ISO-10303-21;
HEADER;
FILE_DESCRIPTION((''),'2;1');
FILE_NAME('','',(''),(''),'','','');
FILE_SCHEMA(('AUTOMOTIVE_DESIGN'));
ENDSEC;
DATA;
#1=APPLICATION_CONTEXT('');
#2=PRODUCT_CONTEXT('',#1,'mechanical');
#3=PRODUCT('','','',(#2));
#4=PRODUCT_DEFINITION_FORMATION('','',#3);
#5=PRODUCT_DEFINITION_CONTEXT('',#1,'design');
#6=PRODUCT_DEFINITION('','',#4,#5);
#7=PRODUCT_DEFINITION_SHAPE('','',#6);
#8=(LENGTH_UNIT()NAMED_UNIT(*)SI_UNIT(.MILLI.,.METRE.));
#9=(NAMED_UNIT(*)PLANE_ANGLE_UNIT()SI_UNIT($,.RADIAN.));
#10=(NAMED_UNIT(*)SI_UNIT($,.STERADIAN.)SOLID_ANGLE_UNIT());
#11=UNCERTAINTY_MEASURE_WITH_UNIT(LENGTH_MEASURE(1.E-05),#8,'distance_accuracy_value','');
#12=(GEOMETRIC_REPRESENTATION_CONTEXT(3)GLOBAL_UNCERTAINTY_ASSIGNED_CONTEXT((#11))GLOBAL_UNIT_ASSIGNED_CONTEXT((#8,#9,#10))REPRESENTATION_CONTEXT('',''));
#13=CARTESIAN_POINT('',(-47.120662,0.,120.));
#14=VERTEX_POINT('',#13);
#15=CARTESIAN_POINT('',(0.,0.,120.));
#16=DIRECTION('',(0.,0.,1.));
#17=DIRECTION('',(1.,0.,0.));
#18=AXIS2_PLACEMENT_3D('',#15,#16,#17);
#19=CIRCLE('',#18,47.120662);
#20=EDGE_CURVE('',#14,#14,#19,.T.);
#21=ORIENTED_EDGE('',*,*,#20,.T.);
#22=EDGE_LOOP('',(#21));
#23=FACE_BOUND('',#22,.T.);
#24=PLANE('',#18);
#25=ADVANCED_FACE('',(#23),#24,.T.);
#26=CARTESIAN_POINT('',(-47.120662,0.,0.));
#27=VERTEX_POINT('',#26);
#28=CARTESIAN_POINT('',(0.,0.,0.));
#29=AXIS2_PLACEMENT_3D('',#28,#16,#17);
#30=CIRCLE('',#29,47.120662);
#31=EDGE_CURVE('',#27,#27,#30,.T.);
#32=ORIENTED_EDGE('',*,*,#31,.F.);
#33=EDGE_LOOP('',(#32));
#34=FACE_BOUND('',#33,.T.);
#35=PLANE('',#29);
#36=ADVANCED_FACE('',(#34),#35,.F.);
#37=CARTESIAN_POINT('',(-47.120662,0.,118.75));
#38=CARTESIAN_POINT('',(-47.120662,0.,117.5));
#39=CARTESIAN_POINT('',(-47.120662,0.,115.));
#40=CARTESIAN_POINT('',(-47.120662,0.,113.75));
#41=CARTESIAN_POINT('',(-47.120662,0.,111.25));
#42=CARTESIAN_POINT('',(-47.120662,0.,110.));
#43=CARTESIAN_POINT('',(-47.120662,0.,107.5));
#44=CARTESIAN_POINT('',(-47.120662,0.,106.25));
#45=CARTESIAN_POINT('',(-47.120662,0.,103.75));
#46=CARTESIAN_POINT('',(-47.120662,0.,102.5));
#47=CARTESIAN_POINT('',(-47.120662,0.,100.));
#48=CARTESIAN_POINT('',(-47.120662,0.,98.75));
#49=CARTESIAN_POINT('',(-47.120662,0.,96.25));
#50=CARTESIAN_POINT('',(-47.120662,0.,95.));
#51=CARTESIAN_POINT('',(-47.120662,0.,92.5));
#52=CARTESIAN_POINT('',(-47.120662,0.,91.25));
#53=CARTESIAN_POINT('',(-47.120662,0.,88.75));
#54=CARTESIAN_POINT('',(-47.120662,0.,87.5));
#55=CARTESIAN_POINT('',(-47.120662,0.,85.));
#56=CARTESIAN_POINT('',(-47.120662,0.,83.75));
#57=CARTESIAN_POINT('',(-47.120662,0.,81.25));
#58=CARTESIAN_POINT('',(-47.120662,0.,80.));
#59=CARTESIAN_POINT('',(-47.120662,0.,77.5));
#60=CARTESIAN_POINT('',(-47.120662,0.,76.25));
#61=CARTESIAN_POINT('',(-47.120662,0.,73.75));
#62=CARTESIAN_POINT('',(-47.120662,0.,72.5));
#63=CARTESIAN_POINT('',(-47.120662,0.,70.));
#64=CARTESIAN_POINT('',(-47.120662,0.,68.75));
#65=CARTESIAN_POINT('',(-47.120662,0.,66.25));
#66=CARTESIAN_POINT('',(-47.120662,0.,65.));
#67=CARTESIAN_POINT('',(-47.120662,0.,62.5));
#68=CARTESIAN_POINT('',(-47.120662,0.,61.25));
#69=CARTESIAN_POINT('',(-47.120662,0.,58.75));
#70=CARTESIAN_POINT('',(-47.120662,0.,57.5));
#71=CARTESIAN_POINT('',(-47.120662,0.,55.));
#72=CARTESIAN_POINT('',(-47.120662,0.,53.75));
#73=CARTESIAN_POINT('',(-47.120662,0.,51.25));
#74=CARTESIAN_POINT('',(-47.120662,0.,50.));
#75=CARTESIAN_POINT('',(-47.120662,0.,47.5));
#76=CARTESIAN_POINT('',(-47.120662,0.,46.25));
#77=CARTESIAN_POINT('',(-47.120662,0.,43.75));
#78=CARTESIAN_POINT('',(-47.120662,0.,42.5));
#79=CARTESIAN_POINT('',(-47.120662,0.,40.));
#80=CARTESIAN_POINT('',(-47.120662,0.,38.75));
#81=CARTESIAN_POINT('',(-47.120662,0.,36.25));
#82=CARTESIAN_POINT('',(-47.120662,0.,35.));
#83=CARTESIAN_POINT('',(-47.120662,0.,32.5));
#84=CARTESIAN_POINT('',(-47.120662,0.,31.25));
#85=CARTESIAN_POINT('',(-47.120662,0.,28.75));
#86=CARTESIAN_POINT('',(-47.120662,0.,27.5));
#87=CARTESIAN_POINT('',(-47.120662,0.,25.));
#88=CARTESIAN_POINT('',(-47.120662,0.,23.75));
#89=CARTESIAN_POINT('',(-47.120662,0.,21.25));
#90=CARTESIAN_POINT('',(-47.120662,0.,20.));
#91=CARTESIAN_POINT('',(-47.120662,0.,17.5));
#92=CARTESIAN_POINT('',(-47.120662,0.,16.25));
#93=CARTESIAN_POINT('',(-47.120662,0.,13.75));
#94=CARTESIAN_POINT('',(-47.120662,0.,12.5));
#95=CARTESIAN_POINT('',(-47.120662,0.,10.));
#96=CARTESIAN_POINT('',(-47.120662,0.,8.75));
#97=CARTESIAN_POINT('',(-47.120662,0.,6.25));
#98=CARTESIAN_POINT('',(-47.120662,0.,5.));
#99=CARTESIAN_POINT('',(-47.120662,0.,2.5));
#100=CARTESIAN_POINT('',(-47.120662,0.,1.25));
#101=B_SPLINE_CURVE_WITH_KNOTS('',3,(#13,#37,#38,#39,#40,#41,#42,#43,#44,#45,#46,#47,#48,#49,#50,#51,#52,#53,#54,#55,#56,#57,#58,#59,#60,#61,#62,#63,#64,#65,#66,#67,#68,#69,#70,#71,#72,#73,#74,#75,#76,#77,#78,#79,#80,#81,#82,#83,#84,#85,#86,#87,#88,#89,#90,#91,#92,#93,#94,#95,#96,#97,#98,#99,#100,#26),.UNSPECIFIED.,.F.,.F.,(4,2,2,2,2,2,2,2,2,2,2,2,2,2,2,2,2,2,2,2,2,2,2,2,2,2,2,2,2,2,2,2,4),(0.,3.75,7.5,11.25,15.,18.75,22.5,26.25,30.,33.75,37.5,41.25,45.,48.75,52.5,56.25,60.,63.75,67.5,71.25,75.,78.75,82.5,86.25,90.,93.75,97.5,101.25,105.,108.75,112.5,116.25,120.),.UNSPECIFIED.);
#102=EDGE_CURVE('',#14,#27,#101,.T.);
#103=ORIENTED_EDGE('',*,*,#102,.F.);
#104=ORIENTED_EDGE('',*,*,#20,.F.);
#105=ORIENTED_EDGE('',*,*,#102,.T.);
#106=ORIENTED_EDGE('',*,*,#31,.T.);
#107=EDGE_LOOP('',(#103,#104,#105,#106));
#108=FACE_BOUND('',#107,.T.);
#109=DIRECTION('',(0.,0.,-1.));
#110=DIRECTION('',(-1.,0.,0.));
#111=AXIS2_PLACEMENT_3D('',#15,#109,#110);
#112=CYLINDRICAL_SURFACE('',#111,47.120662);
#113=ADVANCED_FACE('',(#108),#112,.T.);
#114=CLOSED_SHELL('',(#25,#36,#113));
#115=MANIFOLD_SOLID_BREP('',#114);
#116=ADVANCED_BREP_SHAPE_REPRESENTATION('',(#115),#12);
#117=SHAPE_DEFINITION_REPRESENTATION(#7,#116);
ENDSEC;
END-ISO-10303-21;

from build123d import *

# Parameters (mm, degrees)
SKETCH_1_R      = 47.120661972
EXTRUDE_1_DEPTH = 120


with BuildPart() as part:
    # 草图1 → 凸台-拉伸1 (new body)
    with BuildSketch(Plane.XY):
        with Locations(Location((0, 0, 0), (0, 0, 180))):
            Circle(SKETCH_1_R)
    extrude(amount=EXTRUDE_1_DEPTH)


solid = part.part
